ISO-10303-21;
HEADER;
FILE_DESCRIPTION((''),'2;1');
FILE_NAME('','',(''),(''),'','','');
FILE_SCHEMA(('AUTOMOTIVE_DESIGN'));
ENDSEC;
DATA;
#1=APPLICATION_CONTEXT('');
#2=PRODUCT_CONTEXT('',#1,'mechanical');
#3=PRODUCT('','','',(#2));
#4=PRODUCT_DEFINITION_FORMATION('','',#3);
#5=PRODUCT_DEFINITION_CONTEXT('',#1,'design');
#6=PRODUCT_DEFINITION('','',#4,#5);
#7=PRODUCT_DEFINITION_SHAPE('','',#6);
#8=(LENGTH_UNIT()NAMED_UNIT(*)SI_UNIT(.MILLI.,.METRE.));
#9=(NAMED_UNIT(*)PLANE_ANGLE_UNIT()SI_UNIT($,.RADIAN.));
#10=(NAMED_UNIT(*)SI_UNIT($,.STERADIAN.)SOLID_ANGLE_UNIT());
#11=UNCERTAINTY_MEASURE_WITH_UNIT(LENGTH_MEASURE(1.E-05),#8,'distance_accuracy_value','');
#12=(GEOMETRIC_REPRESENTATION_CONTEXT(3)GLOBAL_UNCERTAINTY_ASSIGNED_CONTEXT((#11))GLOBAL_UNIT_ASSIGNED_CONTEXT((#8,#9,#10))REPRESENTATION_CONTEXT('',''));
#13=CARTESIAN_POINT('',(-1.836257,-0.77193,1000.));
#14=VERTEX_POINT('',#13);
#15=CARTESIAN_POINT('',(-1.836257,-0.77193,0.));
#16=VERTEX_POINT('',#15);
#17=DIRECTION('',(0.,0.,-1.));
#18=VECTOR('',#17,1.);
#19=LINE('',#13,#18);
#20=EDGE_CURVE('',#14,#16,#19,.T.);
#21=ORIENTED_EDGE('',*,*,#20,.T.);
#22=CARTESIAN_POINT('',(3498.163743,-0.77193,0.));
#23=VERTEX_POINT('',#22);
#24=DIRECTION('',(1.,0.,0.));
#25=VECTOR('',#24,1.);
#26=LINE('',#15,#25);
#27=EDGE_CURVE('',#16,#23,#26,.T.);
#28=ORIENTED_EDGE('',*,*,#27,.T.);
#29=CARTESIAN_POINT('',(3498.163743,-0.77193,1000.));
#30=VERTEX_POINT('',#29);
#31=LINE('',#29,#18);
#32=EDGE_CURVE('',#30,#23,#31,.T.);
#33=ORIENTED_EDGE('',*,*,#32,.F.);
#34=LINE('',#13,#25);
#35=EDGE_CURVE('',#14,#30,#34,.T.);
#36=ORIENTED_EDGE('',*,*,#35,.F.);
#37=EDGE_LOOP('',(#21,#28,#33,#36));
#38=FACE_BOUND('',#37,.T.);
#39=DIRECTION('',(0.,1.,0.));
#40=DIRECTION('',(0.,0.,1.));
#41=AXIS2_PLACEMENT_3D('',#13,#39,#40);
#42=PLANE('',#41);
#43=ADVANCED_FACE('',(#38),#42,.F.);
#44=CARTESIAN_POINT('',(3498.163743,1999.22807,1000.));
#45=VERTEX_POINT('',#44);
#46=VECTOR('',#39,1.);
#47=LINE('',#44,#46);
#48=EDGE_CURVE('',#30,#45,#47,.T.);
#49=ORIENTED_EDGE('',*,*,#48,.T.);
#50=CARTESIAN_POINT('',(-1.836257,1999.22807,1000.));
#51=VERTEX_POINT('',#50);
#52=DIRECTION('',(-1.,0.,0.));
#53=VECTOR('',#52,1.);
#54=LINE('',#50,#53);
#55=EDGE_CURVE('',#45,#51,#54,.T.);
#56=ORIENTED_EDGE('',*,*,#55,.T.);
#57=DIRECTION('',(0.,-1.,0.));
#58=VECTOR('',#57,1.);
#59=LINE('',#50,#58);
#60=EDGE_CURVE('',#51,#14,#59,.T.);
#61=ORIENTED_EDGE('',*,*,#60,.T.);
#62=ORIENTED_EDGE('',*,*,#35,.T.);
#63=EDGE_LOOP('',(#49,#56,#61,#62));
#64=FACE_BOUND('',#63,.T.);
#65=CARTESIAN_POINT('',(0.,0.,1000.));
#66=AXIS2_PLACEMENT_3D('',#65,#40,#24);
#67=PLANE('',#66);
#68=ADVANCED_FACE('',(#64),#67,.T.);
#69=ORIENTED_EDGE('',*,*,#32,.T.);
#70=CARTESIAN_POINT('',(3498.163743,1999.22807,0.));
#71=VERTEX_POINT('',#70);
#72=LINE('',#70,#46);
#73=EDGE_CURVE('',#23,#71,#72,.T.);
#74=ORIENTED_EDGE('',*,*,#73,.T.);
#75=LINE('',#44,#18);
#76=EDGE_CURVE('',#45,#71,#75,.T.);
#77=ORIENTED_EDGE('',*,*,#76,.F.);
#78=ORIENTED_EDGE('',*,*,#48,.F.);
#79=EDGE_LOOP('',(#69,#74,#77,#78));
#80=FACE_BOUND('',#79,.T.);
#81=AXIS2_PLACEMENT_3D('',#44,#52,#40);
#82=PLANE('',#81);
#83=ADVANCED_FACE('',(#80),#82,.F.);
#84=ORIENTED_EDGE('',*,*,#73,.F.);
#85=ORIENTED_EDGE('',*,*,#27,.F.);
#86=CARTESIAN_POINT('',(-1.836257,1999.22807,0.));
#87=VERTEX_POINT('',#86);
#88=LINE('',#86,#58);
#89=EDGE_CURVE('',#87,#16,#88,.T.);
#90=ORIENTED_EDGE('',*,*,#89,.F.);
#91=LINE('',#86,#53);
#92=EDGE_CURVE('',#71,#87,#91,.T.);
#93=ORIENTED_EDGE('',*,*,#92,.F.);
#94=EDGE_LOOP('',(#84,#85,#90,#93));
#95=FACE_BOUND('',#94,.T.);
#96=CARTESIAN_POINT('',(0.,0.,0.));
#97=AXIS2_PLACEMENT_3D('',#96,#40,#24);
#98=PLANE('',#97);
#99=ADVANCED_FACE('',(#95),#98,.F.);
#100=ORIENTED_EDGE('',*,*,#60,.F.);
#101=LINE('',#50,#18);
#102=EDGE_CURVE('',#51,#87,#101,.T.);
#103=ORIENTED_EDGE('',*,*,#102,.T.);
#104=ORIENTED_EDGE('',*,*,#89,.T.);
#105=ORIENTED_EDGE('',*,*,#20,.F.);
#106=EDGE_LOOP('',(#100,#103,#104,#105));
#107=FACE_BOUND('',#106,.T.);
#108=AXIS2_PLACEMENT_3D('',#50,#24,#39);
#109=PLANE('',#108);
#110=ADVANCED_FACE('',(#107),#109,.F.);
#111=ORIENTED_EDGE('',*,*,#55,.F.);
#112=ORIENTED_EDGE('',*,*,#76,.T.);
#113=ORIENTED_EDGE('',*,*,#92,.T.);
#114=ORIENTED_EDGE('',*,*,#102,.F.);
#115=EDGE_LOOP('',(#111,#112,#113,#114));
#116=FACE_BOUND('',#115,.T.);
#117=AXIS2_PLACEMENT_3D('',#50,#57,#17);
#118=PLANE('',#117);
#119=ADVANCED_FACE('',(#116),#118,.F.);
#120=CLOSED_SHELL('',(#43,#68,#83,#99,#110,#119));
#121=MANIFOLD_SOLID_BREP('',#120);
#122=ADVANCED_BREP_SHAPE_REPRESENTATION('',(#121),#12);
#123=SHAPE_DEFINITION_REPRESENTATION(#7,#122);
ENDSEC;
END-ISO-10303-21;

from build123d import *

# Parameters (mm, degrees)
CROQUIS1_W              = 3500
CROQUIS1_H              = 2000
SALIENTE_EXTRUIR1_DEPTH = 1000


with BuildPart() as part:
    # Croquis1 → Saliente-Extruir1 (new body)
    with BuildSketch(Plane.XY):
        with Locations((1748.16374269, 999.228070175)):
            Rectangle(CROQUIS1_W, CROQUIS1_H)
    extrude(amount=SALIENTE_EXTRUIR1_DEPTH)


solid = part.part
